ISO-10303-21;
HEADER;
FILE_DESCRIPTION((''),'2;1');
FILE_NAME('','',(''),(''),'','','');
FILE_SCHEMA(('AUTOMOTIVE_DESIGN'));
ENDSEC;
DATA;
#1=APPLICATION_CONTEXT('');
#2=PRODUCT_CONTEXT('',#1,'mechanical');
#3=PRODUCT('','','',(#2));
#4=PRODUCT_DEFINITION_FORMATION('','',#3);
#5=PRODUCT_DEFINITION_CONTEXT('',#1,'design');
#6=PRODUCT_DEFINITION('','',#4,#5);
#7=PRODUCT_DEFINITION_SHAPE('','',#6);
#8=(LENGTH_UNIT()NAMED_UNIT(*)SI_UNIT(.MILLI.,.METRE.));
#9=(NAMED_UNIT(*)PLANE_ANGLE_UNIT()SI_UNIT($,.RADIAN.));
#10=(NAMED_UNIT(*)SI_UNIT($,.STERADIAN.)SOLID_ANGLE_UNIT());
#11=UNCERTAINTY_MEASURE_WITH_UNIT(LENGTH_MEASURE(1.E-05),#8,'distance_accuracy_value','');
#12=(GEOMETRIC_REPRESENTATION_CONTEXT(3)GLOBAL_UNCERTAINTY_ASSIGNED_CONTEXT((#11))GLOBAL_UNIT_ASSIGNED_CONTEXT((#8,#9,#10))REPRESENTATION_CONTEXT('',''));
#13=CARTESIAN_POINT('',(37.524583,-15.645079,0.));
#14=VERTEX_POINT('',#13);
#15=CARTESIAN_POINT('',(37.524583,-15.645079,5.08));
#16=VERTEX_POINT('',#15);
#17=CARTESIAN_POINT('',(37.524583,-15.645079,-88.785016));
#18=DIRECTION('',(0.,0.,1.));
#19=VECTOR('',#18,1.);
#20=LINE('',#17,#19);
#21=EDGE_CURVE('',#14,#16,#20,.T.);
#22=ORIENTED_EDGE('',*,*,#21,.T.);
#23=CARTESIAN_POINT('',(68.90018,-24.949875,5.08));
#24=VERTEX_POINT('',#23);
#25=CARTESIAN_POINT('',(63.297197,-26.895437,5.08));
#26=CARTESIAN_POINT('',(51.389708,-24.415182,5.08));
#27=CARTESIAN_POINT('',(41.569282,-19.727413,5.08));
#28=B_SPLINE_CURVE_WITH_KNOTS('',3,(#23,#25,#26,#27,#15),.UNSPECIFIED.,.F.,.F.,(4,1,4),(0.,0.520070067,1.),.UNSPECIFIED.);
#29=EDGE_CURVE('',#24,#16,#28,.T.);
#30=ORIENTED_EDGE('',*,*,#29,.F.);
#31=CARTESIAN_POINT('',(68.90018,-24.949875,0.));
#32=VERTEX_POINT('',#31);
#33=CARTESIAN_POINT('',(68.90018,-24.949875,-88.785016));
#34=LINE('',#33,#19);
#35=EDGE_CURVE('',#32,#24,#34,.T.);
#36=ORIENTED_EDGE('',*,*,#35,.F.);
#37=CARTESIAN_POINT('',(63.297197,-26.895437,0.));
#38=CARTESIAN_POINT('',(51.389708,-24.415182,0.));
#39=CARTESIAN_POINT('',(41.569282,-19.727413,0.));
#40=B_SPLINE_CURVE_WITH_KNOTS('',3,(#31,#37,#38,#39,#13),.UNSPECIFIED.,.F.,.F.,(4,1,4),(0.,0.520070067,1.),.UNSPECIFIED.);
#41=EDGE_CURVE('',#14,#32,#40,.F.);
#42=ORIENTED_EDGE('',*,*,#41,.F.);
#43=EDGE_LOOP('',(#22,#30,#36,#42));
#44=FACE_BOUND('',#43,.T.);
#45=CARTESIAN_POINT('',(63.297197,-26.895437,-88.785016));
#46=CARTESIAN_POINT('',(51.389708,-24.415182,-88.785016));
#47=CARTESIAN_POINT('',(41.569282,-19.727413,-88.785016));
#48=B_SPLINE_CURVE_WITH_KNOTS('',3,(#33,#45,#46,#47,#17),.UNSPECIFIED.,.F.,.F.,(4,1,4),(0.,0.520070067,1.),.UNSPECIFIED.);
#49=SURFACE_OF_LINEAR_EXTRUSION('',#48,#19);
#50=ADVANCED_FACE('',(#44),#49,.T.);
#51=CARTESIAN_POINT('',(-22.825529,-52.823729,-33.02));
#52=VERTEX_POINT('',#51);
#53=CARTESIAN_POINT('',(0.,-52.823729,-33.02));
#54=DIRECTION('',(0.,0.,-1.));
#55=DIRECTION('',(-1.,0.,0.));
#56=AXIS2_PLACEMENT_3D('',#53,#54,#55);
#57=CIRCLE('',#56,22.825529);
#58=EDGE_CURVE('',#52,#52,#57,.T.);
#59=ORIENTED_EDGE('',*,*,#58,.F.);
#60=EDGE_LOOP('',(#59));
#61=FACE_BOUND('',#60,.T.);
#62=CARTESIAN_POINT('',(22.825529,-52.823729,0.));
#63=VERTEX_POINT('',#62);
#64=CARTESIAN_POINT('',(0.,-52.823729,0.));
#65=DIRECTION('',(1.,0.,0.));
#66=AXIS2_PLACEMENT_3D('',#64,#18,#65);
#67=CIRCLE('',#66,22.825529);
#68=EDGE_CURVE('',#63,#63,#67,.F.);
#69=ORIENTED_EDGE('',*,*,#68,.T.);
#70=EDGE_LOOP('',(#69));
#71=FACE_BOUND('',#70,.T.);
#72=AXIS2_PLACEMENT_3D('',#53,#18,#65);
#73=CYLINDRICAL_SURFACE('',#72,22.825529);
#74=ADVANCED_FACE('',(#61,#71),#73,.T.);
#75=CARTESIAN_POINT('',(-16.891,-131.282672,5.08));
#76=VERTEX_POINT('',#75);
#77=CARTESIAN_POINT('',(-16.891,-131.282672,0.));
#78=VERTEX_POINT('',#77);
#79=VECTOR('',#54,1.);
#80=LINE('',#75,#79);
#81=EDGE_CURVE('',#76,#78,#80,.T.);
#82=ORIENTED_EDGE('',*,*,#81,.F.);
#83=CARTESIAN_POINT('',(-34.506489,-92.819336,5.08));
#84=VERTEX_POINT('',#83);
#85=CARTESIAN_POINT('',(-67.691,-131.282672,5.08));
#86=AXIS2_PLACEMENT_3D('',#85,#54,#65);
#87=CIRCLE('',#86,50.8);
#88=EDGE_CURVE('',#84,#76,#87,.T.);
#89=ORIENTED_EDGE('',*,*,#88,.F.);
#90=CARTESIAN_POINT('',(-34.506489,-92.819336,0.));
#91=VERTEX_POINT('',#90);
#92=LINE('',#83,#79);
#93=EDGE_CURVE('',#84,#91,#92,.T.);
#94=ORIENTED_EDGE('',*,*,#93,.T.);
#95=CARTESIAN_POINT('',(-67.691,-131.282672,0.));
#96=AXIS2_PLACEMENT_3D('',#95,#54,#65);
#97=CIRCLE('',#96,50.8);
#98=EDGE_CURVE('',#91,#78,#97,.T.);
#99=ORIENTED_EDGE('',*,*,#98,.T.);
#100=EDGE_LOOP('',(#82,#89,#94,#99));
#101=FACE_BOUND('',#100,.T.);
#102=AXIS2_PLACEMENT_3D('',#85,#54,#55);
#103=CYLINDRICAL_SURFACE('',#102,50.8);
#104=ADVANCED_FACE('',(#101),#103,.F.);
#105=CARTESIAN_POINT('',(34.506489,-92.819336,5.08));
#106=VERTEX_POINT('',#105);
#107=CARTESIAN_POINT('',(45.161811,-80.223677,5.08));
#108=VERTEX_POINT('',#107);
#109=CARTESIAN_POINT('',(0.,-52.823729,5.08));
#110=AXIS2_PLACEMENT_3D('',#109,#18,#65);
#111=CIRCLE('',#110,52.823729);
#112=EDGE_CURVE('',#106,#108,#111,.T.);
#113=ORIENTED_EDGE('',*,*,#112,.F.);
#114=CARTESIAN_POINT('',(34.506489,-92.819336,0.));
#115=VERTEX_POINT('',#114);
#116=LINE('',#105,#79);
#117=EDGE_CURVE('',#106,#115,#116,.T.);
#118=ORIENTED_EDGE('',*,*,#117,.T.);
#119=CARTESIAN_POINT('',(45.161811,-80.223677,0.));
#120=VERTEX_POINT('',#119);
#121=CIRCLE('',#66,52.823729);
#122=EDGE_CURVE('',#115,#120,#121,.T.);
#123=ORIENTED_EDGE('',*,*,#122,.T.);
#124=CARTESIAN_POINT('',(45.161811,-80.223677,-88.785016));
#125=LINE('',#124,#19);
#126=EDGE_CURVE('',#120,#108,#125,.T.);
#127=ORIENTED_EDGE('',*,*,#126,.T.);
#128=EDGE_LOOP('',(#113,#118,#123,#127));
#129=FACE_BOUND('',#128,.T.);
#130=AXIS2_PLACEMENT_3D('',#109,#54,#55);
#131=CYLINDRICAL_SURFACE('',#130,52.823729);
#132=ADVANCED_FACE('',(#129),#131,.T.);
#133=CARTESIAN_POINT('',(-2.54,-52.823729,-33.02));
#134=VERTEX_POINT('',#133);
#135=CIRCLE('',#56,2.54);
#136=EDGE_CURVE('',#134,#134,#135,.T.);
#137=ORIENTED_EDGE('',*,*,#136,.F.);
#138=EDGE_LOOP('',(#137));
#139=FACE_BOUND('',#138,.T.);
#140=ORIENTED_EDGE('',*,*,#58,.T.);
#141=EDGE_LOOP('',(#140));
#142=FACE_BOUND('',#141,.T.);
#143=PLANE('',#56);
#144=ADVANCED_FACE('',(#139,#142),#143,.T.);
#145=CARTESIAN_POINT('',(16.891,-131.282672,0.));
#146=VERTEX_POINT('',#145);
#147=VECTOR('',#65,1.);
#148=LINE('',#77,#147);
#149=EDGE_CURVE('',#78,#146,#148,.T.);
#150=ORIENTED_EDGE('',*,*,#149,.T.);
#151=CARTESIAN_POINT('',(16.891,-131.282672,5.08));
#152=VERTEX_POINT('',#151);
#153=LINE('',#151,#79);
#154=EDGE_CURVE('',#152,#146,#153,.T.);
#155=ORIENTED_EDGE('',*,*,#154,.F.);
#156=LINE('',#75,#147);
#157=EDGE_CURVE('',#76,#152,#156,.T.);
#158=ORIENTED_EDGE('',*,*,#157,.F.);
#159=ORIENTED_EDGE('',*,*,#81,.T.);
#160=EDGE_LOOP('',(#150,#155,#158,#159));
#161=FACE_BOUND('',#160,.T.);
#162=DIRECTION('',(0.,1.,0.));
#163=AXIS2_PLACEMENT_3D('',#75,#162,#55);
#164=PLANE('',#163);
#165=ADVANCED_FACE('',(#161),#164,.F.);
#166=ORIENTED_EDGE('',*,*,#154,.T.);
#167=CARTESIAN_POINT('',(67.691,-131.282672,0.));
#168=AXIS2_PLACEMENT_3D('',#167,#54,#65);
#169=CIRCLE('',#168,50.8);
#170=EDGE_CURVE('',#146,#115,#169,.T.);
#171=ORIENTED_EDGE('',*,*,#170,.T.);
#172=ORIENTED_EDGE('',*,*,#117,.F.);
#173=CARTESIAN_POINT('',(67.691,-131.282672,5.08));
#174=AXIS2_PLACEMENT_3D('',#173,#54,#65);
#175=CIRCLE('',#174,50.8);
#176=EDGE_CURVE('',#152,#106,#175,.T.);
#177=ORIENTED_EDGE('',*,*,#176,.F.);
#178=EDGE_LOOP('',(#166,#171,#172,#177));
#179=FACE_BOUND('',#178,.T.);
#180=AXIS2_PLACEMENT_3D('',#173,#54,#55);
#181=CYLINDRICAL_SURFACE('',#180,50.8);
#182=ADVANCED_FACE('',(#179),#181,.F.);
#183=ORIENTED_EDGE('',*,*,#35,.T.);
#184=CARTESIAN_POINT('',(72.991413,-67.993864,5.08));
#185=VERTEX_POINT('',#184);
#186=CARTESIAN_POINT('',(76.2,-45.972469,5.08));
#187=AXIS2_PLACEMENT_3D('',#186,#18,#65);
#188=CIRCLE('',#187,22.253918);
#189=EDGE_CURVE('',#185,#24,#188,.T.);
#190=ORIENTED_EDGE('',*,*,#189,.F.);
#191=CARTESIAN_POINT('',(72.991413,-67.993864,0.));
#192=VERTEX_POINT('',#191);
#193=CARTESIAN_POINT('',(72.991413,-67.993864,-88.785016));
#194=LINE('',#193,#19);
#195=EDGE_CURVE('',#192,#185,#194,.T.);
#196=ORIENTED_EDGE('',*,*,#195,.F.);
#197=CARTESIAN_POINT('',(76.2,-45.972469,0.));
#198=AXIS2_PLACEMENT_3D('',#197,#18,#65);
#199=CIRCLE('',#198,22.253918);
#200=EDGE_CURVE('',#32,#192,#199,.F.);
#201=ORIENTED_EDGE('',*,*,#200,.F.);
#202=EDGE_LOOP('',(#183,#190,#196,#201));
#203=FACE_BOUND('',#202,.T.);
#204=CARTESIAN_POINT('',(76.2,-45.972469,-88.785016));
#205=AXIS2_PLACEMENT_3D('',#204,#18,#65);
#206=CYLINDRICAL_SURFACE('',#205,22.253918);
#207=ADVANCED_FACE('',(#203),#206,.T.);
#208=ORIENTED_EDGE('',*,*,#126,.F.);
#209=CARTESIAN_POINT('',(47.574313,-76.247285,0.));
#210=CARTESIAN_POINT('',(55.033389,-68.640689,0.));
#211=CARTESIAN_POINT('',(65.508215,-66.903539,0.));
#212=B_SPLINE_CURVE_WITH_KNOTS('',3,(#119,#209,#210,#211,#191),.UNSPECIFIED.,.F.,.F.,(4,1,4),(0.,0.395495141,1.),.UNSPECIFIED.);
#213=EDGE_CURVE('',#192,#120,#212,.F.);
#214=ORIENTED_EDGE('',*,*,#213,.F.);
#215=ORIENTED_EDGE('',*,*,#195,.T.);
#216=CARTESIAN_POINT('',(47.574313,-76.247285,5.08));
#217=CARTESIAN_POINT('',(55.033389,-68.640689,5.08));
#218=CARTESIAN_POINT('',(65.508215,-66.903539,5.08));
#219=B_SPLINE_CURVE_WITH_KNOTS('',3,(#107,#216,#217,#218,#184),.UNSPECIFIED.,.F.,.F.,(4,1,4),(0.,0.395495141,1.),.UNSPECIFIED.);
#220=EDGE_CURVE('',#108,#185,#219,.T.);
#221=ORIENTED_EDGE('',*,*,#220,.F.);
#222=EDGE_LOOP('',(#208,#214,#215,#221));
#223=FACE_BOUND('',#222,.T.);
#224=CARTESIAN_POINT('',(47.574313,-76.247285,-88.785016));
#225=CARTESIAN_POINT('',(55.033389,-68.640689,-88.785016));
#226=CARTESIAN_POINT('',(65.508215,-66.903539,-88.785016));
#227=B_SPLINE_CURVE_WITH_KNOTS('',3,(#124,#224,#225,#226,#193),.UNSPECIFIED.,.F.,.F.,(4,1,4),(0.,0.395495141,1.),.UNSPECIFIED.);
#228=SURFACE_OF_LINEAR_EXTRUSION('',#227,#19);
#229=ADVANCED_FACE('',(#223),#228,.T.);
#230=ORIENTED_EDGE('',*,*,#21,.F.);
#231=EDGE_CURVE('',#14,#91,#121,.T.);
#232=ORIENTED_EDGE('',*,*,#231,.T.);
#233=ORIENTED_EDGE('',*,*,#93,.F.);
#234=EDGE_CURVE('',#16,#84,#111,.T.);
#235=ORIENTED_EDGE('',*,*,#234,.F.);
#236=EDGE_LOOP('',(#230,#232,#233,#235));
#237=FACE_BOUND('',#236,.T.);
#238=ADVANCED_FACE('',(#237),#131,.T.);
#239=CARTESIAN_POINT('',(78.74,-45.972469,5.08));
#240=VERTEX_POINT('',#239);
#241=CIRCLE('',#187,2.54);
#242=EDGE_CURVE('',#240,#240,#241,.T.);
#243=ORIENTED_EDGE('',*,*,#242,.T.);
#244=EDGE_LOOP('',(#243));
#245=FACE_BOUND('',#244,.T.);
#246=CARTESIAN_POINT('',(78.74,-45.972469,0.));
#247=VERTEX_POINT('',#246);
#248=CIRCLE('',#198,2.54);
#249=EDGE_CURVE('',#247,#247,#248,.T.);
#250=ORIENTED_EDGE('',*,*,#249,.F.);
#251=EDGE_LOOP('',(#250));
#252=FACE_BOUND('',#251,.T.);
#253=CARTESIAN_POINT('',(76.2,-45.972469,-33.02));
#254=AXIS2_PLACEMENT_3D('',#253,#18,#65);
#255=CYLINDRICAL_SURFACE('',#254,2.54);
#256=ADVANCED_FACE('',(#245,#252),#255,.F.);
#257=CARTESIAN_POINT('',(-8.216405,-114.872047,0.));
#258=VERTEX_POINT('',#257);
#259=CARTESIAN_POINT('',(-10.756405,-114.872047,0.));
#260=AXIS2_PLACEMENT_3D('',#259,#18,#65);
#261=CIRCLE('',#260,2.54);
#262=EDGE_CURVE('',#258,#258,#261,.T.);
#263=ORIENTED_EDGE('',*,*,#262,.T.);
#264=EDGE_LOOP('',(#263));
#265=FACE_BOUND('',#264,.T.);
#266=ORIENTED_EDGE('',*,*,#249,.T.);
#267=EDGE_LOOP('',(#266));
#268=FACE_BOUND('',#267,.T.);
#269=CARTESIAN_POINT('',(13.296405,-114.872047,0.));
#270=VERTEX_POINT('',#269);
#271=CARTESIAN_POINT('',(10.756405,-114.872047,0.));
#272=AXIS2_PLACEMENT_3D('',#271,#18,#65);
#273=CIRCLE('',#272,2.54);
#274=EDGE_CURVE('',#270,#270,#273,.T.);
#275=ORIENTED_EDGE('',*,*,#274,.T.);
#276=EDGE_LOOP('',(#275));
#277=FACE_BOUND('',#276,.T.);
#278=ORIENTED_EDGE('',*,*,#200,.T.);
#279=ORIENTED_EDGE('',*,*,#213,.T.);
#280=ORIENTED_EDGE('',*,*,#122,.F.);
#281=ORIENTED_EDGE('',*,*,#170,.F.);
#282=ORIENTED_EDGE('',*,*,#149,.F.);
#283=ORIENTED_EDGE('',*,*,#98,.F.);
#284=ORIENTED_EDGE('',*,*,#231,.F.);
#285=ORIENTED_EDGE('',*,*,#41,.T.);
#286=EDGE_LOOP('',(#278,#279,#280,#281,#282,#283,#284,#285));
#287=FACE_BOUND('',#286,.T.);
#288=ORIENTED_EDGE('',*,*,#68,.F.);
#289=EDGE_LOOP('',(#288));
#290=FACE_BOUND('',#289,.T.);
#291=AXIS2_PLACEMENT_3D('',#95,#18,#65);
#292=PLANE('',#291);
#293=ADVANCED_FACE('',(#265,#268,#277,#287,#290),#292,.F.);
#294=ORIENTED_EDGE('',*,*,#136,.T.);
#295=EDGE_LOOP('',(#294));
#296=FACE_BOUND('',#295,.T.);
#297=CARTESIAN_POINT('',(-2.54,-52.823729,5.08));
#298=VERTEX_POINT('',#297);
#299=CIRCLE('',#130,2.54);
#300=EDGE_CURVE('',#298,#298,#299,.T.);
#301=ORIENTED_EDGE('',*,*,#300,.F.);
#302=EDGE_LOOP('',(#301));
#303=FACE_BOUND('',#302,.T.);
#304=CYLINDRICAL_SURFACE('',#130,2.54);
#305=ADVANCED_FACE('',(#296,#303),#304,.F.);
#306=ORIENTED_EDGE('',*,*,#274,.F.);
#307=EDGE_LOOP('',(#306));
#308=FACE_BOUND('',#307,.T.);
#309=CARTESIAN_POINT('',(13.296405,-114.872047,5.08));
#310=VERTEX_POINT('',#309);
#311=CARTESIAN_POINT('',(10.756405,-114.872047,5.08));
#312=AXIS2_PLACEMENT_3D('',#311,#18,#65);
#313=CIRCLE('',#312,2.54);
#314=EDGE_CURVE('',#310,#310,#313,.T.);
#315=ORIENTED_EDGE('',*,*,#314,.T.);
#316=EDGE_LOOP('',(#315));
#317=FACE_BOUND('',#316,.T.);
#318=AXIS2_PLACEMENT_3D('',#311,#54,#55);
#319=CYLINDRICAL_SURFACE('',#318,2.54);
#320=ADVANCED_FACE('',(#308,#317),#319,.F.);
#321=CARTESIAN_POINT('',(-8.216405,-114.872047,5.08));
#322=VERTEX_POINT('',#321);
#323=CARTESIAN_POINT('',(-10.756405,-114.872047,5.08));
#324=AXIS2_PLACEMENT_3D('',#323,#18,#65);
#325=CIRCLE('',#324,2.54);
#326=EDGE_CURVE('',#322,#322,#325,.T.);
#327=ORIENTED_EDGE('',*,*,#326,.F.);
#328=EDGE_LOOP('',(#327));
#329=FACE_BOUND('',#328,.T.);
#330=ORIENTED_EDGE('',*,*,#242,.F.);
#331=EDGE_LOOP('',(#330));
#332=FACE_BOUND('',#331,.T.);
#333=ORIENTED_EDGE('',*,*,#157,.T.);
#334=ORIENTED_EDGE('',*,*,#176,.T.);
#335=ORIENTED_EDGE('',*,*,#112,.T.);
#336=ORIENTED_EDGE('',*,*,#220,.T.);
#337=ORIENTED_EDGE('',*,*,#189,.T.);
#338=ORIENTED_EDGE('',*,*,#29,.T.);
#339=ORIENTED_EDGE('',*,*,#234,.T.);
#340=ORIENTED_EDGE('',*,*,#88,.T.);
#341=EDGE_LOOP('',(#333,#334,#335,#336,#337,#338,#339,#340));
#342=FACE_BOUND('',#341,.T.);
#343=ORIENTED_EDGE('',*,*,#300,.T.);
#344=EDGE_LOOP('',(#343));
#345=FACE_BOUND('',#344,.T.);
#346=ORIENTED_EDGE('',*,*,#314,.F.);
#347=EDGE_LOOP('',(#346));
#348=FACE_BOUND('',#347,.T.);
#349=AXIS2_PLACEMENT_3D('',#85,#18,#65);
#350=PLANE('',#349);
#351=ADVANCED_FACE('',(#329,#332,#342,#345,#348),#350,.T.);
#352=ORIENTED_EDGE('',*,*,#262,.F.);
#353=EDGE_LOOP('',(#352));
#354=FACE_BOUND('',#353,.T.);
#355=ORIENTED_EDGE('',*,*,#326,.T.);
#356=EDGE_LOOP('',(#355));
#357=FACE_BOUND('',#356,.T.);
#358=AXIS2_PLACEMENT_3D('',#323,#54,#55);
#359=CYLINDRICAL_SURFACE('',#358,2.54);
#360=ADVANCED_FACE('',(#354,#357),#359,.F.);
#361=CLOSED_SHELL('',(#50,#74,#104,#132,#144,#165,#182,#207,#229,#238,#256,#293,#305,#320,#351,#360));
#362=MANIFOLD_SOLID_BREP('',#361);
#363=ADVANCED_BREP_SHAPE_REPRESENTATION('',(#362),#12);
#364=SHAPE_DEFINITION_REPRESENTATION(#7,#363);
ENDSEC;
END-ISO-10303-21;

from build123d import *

# Parameters (mm, degrees)
SKETCH1_R           = 2.54
BOSS_EXTRUDE1_DEPTH = 5.08
SKETCH2_R           = 22.825529453
BOSS_EXTRUDE2_DEPTH = 33.02
SKETCH3_R           = 2.54
CUT_EXTRUDE1_DEPTH  = 39.1
BOSS_EXTRUDE3_DEPTH = 5.08
SKETCH5_R           = 2.54
CUT_EXTRUDE2_DEPTH  = 39.1


with BuildPart() as part:
    # Sketch1 → Boss-Extrude1 (new body)
    with BuildSketch(Plane.XY):
        with BuildLine():
            Line((-16.891, -131.282672274), (16.891, -131.282672274))
            ThreePointArc((16.891, -131.282672274), (19.601252021, -114.911473805), (27.442816508, -100.287128633))
            ThreePointArc((27.442816508, -100.287128633), (30.785280347, -96.37410804), (34.5064888, -92.819336271))
            ThreePointArc((34.5064888, -92.819336271), (0, 0), (-34.5064888, -92.819336271))
            ThreePointArc((-34.5064888, -92.819336271), (-30.785280347, -96.37410804), (-27.442816508, -100.287128633))
            ThreePointArc((-27.442816508, -100.287128633), (-19.601252021, -114.911473805), (-16.891, -131.282672274))
        make_face()
        with Locations((-10.756405179, -114.872047193)):
            Circle(SKETCH1_R, mode=Mode.SUBTRACT)
        with Locations((10.756405179, -114.872047193)):
            Circle(SKETCH1_R, mode=Mode.SUBTRACT)
    extrude(amount=BOSS_EXTRUDE1_DEPTH)

    # Sketch2 → Boss-Extrude2 (add)
    with BuildSketch(Plane(origin=(0, 0, 0), x_dir=(-1, 0, 0), z_dir=(0, 0, -1))):
        with Locations((0, -52.823729134)):
            Circle(SKETCH2_R)
    extrude(amount=BOSS_EXTRUDE2_DEPTH)

    # Sketch3 → Cut-Extrude1 (cut, through all)
    with BuildSketch(Plane(origin=(0, 0, -33.02), x_dir=(-1, 0, 0), z_dir=(0, 0, -1))):
        with Locations((0, -52.823729134)):
            Circle(SKETCH3_R)
    extrude(amount=-CUT_EXTRUDE1_DEPTH, mode=Mode.SUBTRACT)

    # Sketch4 → Boss-Extrude3 (add)
    with BuildSketch(Plane.XY.offset(5.08)):
        with BuildLine():
            ThreePointArc((45.161811227, -80.223677424), (52.45816234, -46.619894549), (37.524583334, -15.645079276))
            add(Edge.make_bspline(
                [(37.524583334, -15.645079276), (41.569282444, -19.727412804), (51.389708048, -24.415182371), (63.297197231, -26.895437115), (68.900180003, -24.949874899)],
                knots=[0, 0, 0, 0, 0.479929933, 1, 1, 1, 1], degree=3))
            ThreePointArc((68.900180003, -24.949874899), (98.354072, -43.866775297), (72.9914133, -67.993864183))
            add(Edge.make_bspline(
                [(45.161811227, -80.223677424), (47.574313167, -76.247284621), (55.033388576, -68.640688731), (65.508215076, -66.903538588), (72.9914133, -67.993864183)],
                knots=[0, 0, 0, 0, 0.395495141, 1, 1, 1, 1], degree=3))
        make_face()
    extrude(amount=-BOSS_EXTRUDE3_DEPTH)

    # Sketch5 → Cut-Extrude2 (cut, through all)
    with BuildSketch(Plane.XY.offset(5.08)):
        with Locations((76.2, -45.972469461)):
            Circle(SKETCH5_R)
    extrude(amount=-CUT_EXTRUDE2_DEPTH, mode=Mode.SUBTRACT)


solid = part.part
